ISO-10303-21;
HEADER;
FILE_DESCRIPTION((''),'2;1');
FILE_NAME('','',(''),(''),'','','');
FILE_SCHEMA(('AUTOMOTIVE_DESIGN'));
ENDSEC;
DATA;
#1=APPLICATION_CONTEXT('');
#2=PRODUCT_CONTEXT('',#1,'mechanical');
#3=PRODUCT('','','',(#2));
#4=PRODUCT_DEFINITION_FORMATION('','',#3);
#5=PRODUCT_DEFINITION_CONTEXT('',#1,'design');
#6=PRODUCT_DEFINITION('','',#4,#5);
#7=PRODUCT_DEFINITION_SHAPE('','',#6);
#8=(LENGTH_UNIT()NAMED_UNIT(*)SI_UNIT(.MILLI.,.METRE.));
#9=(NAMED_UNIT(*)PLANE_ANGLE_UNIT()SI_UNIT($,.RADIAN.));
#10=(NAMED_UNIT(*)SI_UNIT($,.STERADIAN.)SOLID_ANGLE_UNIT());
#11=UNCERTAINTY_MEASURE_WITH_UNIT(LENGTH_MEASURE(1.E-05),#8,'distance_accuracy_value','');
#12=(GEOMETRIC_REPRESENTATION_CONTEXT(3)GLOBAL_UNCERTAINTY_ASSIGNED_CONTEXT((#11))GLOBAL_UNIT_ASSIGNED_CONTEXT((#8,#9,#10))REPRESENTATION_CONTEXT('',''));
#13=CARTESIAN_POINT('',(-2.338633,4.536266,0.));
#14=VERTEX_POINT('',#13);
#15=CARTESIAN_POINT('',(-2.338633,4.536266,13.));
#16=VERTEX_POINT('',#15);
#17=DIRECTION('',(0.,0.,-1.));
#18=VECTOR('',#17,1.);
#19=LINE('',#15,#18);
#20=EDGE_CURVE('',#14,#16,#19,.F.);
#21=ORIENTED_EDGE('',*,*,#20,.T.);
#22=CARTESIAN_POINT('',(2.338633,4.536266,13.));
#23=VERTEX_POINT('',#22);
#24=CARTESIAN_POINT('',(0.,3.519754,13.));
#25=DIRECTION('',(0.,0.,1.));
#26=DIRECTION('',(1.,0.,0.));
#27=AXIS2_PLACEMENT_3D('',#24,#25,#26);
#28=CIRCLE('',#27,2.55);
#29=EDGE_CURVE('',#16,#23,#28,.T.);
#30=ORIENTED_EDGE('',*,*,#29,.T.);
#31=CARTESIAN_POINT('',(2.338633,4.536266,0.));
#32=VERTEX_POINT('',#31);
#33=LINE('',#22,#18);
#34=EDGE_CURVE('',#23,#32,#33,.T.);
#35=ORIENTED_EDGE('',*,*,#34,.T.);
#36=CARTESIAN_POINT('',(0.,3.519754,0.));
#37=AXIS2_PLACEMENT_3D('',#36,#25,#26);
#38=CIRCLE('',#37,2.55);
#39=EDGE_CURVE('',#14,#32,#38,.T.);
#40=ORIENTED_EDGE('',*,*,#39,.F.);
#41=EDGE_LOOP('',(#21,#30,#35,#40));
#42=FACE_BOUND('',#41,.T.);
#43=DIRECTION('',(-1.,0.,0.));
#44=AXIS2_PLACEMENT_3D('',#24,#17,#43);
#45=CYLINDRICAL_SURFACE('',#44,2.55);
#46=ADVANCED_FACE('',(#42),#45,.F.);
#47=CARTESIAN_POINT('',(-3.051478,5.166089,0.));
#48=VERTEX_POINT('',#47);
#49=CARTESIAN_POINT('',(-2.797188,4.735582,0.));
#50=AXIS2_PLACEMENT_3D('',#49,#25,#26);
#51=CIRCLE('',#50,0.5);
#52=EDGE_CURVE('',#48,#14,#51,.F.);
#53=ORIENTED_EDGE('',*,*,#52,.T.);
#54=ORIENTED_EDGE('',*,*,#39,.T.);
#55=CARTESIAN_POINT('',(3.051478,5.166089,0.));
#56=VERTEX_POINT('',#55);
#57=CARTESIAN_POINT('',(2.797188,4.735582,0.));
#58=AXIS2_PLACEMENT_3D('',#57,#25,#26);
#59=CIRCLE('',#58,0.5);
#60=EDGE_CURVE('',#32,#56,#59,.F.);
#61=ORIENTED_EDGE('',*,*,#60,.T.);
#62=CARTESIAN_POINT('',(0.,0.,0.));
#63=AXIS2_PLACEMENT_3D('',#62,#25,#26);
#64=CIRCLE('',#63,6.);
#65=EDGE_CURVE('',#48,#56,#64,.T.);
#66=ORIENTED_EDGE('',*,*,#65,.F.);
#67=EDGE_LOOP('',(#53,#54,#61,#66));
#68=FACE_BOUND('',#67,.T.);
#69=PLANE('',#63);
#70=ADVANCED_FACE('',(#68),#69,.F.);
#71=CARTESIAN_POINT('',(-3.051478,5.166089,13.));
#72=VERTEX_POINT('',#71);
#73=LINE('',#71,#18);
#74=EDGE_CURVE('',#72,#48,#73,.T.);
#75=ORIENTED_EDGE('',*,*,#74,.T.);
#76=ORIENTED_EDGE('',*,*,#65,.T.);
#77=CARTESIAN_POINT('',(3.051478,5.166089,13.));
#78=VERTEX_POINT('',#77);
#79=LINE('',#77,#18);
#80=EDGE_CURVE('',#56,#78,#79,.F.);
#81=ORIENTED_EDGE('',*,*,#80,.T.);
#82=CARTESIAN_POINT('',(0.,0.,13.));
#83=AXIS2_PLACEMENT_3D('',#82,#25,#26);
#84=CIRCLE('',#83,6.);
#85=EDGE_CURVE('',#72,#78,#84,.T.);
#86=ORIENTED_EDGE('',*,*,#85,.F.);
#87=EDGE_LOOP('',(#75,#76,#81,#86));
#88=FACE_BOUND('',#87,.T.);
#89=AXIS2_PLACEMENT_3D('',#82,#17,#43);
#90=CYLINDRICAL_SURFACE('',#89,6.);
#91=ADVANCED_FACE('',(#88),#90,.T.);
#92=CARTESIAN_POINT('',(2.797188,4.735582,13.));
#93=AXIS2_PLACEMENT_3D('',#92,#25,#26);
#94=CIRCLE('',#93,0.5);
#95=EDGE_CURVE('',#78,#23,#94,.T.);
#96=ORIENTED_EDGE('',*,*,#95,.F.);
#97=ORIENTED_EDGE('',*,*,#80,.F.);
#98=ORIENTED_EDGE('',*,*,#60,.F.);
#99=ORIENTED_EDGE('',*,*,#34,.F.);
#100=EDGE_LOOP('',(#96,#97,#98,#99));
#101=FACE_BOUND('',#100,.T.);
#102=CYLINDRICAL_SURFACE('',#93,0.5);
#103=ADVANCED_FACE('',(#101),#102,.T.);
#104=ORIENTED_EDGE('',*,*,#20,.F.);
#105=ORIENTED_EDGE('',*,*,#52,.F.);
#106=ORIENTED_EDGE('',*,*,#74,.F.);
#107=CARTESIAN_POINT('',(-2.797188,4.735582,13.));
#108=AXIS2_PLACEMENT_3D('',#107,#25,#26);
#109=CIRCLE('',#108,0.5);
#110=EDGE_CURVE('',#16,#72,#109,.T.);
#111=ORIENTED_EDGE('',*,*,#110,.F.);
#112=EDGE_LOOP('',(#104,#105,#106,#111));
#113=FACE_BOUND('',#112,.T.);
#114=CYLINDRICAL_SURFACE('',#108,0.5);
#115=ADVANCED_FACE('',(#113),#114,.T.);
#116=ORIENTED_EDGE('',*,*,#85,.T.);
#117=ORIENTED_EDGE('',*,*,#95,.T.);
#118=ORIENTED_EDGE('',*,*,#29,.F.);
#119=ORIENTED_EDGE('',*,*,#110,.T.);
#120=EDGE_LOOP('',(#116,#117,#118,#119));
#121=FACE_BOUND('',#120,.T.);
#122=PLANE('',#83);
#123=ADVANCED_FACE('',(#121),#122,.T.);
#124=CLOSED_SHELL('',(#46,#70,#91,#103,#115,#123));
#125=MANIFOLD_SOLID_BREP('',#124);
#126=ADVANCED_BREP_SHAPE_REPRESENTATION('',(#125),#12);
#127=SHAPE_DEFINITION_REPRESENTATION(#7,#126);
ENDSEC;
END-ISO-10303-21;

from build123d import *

# Parameters (mm, degrees)
AUFSATZ_LINEAR_AUSTRAGEN2_DEPTH = 13
VERRUNDUNG1_R                   = 0.5


with BuildPart() as part:
    # Skizze1 → Aufsatz-Linear austragen2 (new body)
    with BuildSketch(Plane.XY):
        with BuildLine():
            ThreePointArc((-0.771783993, 5.950155415), (-3.960384832, -4.507255482), (6, 0))
            ThreePointArc((6, 0), (4.507255482, 3.960384832), (0.771783993, 5.950155415))
            ThreePointArc((0.771783993, 5.950155415), (2.057978278, 5.025485179), (2.55, 3.519754323))
            ThreePointArc((2.55, 3.519754323), (-1.505730855, 1.461776046), (-0.771783993, 5.950155415))
        make_face()
    extrude(amount=AUFSATZ_LINEAR_AUSTRAGEN2_DEPTH)

    # Verrundung1
    verrundung1_edges = [part.edges().sort_by_distance(p)[0] for p in [
        (-0.771783993, 5.950155415, 6.5),
        (0.771783993, 5.950155415, 6.5),
    ]]
    fillet(verrundung1_edges, radius=VERRUNDUNG1_R)


solid = part.part
